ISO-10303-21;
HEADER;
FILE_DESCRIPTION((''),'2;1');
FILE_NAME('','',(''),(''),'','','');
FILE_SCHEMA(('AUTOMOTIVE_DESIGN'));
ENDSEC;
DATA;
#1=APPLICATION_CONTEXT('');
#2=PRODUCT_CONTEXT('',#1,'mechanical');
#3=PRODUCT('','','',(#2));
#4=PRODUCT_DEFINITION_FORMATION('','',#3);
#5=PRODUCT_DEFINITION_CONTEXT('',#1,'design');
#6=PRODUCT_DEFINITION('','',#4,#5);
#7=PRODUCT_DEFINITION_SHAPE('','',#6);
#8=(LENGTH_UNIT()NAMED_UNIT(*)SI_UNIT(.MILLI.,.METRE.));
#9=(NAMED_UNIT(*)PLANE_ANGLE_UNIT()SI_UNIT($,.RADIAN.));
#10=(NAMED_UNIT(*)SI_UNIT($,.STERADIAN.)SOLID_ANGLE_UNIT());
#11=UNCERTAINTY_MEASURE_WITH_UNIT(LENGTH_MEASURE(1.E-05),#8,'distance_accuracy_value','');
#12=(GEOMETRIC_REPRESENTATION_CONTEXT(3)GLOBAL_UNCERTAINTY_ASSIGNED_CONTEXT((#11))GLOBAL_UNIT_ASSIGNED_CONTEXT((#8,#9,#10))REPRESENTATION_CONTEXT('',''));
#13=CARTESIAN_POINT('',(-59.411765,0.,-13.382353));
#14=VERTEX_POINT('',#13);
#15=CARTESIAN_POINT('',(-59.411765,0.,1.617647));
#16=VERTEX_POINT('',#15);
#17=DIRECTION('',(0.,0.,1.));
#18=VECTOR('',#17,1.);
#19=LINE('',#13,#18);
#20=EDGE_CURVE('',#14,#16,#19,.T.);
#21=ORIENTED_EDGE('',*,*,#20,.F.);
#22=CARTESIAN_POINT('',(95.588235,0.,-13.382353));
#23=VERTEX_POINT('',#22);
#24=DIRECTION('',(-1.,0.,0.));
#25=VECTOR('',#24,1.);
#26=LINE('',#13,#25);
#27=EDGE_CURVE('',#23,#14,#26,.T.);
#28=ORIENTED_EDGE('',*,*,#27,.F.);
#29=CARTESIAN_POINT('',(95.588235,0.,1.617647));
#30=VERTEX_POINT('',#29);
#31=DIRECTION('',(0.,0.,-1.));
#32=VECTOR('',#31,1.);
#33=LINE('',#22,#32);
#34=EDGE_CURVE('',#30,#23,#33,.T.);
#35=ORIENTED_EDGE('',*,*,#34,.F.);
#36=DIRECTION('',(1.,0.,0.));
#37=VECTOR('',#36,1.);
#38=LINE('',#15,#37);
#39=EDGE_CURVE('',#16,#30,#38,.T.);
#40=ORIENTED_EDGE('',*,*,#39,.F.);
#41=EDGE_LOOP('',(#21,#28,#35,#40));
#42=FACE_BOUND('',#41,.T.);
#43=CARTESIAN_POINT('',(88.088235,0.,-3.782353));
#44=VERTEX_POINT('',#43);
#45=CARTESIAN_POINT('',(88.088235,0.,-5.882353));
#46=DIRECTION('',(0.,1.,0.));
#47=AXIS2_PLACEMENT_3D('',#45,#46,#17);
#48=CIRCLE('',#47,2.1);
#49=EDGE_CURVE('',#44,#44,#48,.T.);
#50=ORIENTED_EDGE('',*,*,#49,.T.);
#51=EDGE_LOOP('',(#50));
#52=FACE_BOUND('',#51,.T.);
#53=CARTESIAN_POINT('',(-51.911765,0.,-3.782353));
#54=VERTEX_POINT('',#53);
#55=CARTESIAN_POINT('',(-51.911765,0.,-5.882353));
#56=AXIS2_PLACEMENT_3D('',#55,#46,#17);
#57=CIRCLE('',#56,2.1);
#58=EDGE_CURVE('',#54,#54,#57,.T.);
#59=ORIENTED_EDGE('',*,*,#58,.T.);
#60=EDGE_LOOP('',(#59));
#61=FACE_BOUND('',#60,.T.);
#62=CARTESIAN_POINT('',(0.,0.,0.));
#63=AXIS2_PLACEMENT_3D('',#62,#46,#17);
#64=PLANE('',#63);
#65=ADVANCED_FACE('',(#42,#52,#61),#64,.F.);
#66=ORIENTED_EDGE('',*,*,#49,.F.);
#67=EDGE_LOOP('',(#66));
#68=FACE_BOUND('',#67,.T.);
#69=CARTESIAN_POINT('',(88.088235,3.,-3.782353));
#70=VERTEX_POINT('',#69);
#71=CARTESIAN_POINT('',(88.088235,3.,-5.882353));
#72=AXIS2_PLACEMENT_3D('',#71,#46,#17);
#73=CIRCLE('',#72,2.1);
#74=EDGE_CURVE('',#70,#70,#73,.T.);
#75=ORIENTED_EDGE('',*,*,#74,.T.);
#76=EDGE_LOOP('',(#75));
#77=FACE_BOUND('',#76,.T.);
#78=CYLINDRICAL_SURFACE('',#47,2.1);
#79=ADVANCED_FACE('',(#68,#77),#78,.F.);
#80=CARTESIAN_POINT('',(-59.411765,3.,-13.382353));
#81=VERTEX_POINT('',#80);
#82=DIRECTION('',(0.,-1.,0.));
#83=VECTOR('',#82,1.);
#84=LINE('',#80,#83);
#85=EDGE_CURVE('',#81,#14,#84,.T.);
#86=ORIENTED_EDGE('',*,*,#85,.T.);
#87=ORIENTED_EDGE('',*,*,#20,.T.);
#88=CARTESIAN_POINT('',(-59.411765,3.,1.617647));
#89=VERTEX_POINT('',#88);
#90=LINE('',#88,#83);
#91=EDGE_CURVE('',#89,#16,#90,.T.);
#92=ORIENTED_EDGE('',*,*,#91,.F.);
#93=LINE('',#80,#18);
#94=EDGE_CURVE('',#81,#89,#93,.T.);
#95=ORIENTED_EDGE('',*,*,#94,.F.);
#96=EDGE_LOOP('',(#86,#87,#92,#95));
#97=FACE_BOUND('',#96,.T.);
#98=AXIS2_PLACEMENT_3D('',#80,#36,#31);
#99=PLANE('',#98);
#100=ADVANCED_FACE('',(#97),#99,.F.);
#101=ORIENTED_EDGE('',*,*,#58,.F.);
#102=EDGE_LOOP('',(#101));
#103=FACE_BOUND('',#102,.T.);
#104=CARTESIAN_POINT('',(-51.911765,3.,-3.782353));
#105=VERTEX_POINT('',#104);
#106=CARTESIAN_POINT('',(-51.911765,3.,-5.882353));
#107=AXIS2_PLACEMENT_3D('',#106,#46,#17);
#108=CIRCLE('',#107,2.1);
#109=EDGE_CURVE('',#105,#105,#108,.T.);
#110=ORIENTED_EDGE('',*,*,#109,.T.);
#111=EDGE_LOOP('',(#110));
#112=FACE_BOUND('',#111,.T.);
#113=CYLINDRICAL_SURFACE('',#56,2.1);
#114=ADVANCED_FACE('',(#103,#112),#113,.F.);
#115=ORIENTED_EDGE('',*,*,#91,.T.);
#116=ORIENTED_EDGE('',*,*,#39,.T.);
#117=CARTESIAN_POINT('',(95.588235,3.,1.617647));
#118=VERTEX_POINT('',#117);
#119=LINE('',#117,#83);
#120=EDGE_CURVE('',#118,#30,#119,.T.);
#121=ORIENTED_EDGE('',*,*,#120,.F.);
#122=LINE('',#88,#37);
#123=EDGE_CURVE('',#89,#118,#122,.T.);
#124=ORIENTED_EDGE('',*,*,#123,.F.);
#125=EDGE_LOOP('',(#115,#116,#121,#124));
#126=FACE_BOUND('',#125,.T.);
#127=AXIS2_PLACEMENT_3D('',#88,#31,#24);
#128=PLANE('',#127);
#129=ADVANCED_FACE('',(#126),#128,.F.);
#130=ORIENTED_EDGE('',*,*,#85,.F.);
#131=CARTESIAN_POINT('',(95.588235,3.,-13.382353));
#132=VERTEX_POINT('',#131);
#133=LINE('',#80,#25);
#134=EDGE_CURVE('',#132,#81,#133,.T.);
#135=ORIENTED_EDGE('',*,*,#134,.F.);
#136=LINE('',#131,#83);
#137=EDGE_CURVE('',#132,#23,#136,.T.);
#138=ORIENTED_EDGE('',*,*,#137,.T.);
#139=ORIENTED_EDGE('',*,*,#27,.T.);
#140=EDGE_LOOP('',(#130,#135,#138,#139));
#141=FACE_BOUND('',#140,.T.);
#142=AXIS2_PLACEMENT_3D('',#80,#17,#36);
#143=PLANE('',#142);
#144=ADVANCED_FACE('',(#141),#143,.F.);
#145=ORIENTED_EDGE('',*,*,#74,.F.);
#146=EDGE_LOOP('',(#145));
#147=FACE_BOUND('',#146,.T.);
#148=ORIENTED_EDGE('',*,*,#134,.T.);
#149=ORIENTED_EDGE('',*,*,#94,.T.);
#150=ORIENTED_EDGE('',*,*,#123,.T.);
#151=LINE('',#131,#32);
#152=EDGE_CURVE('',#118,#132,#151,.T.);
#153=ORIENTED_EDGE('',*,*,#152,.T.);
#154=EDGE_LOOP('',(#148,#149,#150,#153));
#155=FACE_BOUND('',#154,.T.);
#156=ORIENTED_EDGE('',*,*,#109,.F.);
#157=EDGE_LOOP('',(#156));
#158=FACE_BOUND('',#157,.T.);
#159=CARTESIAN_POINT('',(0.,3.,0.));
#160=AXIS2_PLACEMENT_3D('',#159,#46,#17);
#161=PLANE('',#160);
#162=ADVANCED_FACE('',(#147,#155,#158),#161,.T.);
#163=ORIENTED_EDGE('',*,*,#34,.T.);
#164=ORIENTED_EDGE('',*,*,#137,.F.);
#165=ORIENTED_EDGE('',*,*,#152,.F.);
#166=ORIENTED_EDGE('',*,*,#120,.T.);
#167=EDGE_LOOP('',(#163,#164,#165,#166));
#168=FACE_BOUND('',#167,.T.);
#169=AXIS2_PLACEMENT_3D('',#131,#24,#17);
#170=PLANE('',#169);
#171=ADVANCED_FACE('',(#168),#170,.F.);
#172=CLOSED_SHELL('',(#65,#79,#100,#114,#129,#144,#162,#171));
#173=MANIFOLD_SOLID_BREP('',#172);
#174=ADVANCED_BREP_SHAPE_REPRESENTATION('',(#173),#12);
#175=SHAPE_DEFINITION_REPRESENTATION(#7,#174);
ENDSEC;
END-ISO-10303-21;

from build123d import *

# Parameters (mm, degrees)
SKETCH1_W           = 155
SKETCH1_H           = 15
BOSS_EXTRUDE1_DEPTH = 3
SKETCH2_R           = 2.1
CUT_EXTRUDE1_DEPTH  = 3


with BuildPart() as part:
    # Sketch1 → Boss-Extrude1 (new body)
    with BuildSketch(Plane(origin=(0, 0, 0), x_dir=(1, 0, 0), z_dir=(0, 1, 0))):
        with Locations((18.088235294, 5.882352941)):
            Rectangle(SKETCH1_W, SKETCH1_H)
    extrude(amount=BOSS_EXTRUDE1_DEPTH)

    # Sketch2 → Cut-Extrude1 (cut)
    with BuildSketch(Plane(origin=(0, 3, 0), x_dir=(1, 0, 0), z_dir=(0, 1, 0))):
        with Locations(Location((-51.911764706, 5.882352941, 0), (0, 0, 270))):
            Circle(SKETCH2_R)
        with Locations(Location((88.088235294, 5.882352941, 0), (0, 0, 270))):
            Circle(SKETCH2_R)
    extrude(amount=-CUT_EXTRUDE1_DEPTH, mode=Mode.SUBTRACT)


solid = part.part
